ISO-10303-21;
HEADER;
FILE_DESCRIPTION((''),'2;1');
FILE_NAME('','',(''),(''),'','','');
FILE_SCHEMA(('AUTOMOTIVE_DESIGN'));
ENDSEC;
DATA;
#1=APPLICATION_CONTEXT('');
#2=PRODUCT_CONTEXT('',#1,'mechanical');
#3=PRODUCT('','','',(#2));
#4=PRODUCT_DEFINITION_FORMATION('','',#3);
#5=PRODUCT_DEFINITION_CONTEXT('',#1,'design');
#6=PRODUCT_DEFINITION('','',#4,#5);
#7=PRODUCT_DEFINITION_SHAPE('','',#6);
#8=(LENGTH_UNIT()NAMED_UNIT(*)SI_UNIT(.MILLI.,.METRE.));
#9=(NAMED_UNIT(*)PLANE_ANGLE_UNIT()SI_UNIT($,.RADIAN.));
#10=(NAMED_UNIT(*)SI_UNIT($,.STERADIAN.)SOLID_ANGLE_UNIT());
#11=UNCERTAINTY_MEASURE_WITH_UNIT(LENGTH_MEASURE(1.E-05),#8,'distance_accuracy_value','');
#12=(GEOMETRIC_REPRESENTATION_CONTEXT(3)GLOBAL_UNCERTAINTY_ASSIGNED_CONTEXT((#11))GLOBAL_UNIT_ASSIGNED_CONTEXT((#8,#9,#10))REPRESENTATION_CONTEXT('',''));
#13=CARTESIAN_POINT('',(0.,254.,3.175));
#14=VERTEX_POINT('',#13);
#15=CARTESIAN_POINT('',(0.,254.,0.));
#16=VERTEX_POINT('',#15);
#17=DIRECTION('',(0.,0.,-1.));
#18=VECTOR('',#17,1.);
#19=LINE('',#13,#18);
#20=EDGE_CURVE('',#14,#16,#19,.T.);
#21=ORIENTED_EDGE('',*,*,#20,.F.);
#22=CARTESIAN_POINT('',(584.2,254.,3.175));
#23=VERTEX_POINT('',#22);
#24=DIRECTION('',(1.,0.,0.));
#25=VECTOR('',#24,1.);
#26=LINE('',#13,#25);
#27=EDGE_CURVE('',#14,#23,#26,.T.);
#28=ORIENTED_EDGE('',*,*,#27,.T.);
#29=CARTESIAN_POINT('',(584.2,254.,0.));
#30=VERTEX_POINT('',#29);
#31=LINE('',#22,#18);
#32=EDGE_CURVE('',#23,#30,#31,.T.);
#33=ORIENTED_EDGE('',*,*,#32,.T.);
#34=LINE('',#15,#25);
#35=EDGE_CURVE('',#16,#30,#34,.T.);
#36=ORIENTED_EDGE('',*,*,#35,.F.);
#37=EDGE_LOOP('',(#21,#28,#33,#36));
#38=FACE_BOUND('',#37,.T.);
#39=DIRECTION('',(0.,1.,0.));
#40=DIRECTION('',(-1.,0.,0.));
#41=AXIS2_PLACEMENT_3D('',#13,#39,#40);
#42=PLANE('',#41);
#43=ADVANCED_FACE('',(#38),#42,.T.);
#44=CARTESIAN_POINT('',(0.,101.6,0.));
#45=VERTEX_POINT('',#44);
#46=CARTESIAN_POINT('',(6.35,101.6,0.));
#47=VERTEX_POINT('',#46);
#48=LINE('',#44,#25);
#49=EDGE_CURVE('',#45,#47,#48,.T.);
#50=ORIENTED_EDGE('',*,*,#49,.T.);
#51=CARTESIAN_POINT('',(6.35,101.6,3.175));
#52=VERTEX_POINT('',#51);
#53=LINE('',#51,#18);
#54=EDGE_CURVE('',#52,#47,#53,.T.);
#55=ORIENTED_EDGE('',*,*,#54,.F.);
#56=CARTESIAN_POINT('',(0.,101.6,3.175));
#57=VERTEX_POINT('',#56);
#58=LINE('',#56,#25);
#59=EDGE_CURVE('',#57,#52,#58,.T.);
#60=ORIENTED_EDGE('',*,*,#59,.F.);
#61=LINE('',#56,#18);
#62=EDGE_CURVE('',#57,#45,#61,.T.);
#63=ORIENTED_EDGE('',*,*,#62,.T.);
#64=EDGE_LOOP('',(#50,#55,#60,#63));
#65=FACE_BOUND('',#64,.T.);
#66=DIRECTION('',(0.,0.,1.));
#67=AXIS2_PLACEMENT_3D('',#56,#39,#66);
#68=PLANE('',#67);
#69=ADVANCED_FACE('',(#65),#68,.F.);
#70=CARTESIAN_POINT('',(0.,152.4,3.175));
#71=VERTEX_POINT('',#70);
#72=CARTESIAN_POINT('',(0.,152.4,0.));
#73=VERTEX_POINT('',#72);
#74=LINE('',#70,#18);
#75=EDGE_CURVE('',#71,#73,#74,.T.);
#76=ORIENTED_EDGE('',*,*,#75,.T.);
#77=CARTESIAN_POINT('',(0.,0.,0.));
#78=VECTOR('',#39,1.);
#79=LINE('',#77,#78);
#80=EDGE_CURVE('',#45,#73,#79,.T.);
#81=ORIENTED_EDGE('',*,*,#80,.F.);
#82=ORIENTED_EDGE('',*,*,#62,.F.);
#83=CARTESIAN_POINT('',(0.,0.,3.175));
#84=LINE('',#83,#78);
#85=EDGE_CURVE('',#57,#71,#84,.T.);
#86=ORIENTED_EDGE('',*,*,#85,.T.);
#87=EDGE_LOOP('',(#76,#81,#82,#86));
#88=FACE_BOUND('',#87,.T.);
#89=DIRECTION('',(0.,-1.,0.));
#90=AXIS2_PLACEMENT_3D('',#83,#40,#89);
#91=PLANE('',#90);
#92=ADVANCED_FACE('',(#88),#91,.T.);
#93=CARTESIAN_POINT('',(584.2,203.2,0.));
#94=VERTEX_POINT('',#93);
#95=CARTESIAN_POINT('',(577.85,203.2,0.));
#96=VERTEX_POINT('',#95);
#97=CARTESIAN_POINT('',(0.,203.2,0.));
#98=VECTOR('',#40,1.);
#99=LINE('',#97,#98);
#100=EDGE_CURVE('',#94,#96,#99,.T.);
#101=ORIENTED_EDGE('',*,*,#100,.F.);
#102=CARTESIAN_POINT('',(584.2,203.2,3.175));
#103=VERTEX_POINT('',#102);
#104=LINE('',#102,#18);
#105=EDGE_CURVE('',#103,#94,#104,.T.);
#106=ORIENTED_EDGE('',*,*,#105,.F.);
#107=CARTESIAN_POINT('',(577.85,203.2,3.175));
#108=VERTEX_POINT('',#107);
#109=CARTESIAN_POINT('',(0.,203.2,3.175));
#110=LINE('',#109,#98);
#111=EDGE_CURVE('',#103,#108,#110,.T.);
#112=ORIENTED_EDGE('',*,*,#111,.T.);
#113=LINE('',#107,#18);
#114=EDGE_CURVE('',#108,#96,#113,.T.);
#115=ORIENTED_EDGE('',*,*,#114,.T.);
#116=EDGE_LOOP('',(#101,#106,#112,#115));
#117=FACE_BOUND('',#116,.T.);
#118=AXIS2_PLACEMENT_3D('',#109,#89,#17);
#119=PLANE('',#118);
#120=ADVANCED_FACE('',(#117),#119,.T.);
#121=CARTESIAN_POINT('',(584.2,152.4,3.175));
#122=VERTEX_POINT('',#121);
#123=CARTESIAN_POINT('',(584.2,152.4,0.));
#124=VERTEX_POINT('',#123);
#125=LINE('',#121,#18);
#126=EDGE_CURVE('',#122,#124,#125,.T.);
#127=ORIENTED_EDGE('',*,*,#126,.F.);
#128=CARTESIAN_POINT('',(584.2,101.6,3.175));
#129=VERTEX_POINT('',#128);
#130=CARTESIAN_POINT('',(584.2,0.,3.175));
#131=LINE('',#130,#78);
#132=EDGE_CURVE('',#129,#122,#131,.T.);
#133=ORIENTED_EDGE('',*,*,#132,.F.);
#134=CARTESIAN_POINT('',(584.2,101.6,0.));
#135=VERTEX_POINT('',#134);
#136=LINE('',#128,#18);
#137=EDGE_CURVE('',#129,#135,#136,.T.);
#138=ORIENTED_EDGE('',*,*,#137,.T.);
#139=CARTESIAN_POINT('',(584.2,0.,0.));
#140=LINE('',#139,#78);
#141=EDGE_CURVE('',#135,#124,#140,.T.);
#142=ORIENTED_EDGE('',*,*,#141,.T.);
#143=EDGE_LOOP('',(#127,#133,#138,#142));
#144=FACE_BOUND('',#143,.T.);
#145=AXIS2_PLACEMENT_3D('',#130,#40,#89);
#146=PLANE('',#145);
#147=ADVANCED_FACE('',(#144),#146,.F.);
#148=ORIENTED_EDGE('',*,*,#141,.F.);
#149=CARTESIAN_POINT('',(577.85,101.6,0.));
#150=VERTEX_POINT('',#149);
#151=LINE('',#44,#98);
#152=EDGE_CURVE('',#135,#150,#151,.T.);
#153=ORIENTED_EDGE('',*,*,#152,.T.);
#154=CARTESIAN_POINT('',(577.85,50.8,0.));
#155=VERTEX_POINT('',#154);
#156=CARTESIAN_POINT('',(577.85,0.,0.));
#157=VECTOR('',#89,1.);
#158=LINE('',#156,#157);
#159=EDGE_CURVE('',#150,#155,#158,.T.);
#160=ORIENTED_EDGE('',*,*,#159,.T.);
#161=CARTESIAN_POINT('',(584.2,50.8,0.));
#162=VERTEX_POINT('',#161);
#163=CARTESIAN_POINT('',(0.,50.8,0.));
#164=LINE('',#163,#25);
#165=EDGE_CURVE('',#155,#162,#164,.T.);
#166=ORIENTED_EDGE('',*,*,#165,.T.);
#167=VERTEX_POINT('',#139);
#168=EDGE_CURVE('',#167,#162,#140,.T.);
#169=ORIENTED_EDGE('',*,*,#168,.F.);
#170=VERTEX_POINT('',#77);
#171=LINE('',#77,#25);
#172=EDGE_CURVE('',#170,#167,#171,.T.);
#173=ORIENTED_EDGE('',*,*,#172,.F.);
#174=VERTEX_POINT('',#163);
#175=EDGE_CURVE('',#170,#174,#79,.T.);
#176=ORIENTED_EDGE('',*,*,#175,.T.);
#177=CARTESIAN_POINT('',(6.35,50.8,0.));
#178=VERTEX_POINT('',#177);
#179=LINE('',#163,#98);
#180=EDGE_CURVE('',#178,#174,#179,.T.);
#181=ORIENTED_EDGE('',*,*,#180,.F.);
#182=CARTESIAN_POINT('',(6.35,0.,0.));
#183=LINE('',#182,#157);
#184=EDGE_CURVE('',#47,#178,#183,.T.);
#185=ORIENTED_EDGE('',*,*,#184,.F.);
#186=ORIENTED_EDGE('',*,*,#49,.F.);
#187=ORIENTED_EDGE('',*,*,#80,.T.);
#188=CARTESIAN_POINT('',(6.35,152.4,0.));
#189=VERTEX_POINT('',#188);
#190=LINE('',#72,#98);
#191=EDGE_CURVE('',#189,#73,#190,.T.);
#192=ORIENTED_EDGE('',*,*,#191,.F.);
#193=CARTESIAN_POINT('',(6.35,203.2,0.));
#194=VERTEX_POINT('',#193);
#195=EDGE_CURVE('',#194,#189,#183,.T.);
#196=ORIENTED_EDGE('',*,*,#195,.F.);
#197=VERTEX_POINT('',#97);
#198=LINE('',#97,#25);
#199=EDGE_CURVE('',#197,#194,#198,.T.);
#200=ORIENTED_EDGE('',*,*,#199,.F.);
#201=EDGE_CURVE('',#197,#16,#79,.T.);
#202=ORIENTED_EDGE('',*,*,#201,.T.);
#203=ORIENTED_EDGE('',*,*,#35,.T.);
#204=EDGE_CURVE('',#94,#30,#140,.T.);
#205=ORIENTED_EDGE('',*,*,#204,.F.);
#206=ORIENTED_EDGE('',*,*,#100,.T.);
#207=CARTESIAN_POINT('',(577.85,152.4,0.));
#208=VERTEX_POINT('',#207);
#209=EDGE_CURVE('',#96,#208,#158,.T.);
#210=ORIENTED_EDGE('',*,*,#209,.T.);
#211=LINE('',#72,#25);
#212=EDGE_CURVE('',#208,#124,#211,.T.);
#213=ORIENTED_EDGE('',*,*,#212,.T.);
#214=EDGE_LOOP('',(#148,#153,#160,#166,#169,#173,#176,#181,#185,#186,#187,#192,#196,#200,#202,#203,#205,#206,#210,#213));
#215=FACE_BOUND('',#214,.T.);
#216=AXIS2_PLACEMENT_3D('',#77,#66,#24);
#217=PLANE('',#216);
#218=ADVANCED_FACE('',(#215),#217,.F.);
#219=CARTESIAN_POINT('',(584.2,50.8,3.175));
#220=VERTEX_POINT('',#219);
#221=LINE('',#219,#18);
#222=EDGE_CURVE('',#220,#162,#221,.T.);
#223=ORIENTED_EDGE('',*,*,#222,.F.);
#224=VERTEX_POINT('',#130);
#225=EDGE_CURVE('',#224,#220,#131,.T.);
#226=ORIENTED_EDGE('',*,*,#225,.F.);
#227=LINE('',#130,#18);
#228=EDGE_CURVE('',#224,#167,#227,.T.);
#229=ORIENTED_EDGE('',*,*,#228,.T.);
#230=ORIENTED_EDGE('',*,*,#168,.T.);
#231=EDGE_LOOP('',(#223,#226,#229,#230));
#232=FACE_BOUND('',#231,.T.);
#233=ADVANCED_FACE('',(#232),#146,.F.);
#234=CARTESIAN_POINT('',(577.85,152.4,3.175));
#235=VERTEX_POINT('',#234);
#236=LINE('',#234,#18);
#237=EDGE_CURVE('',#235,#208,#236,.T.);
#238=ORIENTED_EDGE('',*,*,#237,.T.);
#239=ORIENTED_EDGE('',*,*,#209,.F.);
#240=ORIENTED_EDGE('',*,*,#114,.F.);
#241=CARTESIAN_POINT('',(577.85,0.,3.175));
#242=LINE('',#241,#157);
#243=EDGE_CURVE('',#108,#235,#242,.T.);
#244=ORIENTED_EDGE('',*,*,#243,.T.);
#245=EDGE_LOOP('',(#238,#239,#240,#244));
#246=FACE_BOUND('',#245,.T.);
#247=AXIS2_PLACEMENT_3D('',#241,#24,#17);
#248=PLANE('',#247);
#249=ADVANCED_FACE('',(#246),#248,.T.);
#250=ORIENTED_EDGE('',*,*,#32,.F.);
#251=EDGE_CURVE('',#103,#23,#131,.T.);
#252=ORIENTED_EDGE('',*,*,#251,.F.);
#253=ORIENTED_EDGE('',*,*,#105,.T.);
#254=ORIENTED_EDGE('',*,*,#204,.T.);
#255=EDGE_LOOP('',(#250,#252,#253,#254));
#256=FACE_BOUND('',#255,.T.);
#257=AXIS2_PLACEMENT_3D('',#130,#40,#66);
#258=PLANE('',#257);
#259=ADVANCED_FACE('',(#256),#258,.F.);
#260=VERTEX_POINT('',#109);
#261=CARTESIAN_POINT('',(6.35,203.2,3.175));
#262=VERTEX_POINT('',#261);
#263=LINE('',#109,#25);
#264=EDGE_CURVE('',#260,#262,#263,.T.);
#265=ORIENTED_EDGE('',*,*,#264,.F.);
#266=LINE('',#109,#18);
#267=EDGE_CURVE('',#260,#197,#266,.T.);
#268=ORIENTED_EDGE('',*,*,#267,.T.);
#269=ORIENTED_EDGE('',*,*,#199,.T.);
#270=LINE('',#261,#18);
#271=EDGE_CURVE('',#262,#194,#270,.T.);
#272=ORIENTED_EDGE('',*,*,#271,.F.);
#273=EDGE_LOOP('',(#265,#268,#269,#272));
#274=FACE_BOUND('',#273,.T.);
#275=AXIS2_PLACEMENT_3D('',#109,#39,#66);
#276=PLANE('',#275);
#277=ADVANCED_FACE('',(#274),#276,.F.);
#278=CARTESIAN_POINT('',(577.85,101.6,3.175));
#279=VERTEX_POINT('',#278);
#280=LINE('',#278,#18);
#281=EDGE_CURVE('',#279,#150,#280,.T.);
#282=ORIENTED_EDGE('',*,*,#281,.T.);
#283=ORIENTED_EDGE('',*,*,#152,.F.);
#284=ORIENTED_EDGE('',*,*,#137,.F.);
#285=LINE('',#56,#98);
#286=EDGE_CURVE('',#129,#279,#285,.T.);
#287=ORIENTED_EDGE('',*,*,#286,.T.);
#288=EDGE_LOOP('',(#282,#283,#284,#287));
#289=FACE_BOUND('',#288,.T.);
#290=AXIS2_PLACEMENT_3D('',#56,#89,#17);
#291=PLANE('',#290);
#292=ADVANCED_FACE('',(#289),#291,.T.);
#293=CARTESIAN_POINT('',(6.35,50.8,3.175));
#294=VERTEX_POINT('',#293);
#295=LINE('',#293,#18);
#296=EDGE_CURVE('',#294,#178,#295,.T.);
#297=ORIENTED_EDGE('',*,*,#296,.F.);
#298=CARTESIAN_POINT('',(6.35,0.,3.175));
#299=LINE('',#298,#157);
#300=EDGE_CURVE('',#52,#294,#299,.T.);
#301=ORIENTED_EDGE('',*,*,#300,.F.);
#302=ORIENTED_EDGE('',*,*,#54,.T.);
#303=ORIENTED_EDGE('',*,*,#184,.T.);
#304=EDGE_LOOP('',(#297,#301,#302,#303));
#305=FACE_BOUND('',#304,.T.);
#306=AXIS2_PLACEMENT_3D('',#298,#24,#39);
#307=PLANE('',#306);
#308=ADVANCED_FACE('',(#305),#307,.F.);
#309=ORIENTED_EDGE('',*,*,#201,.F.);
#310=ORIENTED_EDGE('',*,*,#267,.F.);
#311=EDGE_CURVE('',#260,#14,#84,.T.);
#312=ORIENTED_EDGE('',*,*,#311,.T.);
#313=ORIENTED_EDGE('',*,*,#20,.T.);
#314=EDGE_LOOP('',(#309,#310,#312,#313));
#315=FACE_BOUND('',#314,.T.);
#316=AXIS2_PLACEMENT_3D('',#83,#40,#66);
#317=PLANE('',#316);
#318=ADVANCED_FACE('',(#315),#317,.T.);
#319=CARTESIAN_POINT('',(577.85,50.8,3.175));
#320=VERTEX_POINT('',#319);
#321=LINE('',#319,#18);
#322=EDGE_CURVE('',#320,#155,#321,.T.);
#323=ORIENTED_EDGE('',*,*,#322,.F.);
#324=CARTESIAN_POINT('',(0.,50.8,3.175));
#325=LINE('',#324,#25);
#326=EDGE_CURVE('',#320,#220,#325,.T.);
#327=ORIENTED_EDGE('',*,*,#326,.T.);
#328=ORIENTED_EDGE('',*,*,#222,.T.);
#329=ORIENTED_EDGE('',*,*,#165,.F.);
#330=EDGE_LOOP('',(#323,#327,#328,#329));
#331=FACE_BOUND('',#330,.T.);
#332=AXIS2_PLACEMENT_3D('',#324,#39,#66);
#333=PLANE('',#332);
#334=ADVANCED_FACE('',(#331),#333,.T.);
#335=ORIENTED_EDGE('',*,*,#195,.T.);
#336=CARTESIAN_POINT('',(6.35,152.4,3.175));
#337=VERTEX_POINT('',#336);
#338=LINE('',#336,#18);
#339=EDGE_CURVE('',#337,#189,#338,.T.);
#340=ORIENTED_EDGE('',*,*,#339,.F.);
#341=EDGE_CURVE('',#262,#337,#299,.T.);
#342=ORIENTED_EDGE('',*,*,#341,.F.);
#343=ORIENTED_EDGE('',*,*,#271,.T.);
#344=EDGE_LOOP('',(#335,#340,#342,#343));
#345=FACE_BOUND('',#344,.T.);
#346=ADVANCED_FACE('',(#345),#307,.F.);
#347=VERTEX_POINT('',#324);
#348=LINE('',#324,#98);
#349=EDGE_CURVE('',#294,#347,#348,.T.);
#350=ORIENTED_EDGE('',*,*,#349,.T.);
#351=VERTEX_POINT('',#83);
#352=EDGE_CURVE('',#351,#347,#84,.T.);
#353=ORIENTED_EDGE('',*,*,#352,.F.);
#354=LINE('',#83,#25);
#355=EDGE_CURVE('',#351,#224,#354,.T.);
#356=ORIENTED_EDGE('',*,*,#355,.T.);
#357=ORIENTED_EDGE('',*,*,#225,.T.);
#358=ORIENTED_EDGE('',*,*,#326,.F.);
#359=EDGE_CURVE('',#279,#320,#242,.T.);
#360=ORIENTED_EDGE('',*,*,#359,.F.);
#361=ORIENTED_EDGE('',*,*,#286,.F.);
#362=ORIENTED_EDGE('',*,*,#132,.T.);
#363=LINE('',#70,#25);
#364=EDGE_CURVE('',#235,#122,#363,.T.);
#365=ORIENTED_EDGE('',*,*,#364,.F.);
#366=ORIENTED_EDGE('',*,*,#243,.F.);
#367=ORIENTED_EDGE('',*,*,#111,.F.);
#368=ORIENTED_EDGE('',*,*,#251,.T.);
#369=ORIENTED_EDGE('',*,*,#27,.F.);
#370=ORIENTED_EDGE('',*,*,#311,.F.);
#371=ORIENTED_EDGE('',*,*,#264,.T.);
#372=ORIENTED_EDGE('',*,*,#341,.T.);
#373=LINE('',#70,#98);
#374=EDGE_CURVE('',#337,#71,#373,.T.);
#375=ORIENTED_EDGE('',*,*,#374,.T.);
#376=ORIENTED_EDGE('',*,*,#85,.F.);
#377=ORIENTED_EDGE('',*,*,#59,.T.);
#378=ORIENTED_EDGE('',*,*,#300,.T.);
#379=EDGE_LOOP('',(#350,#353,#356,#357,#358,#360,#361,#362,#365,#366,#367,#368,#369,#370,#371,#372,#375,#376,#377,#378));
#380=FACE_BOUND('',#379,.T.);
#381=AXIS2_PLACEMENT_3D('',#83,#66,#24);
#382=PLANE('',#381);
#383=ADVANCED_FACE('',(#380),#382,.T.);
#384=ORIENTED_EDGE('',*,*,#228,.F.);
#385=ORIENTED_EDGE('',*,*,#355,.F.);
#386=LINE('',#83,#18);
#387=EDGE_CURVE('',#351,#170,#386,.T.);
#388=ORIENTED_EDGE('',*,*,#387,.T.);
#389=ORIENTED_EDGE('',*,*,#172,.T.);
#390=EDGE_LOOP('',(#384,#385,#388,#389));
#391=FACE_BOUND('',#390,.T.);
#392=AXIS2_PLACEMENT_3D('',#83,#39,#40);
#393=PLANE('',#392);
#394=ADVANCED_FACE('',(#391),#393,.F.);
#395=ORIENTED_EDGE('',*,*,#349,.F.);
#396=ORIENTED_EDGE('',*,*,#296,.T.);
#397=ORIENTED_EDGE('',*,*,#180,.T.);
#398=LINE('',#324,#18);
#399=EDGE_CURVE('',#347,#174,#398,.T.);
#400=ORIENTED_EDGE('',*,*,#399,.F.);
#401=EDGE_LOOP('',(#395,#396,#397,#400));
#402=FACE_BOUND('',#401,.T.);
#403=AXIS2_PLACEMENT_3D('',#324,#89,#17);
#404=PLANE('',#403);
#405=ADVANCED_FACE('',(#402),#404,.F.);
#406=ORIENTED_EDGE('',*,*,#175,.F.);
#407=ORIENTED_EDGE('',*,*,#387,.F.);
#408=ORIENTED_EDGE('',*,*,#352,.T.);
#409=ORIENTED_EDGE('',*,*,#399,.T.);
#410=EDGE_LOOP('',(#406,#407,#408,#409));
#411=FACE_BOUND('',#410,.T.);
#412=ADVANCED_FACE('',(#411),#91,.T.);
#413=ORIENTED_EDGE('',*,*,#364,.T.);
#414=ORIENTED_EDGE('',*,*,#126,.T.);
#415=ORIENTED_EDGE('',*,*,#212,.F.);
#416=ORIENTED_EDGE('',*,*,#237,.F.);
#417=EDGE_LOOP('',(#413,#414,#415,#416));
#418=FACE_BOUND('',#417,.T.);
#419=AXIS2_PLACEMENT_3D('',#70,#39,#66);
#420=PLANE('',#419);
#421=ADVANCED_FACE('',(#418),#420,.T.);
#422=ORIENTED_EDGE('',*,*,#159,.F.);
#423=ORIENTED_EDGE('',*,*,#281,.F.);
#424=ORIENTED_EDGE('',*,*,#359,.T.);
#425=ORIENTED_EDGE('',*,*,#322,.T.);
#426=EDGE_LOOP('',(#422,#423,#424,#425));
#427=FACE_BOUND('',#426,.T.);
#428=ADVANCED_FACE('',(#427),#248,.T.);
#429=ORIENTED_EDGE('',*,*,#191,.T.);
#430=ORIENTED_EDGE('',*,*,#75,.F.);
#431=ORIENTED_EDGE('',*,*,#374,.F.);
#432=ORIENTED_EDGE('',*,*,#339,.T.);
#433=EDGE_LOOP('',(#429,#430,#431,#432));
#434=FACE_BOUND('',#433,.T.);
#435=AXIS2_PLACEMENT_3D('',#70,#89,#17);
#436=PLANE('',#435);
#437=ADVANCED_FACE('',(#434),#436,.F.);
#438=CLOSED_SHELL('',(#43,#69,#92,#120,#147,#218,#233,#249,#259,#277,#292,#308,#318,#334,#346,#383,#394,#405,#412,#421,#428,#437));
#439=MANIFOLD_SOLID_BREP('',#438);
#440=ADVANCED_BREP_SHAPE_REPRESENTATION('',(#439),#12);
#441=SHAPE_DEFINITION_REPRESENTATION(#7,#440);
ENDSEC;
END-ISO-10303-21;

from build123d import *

# Parameters (mm, degrees)
BOSS_EXTRUDE1_DEPTH = 3.175


with BuildPart() as part:
    # Sketch1 → Boss-Extrude1 (new body)
    with BuildSketch(Plane.XY):
        Polygon((584.2, 101.6), (577.85, 101.6), (577.85, 50.8), (584.2, 50.8), (584.2, 0), (0, 0), (0, 50.8), (6.35, 50.8), (6.35, 101.6), (0, 101.6), (0, 152.4), (6.35, 152.4), (6.35, 203.2), (0, 203.2), (0, 254), (584.2, 254), (584.2, 203.2), (577.85, 203.2), (577.85, 152.4), (584.2, 152.4), align=None)
    extrude(amount=BOSS_EXTRUDE1_DEPTH)


solid = part.part
